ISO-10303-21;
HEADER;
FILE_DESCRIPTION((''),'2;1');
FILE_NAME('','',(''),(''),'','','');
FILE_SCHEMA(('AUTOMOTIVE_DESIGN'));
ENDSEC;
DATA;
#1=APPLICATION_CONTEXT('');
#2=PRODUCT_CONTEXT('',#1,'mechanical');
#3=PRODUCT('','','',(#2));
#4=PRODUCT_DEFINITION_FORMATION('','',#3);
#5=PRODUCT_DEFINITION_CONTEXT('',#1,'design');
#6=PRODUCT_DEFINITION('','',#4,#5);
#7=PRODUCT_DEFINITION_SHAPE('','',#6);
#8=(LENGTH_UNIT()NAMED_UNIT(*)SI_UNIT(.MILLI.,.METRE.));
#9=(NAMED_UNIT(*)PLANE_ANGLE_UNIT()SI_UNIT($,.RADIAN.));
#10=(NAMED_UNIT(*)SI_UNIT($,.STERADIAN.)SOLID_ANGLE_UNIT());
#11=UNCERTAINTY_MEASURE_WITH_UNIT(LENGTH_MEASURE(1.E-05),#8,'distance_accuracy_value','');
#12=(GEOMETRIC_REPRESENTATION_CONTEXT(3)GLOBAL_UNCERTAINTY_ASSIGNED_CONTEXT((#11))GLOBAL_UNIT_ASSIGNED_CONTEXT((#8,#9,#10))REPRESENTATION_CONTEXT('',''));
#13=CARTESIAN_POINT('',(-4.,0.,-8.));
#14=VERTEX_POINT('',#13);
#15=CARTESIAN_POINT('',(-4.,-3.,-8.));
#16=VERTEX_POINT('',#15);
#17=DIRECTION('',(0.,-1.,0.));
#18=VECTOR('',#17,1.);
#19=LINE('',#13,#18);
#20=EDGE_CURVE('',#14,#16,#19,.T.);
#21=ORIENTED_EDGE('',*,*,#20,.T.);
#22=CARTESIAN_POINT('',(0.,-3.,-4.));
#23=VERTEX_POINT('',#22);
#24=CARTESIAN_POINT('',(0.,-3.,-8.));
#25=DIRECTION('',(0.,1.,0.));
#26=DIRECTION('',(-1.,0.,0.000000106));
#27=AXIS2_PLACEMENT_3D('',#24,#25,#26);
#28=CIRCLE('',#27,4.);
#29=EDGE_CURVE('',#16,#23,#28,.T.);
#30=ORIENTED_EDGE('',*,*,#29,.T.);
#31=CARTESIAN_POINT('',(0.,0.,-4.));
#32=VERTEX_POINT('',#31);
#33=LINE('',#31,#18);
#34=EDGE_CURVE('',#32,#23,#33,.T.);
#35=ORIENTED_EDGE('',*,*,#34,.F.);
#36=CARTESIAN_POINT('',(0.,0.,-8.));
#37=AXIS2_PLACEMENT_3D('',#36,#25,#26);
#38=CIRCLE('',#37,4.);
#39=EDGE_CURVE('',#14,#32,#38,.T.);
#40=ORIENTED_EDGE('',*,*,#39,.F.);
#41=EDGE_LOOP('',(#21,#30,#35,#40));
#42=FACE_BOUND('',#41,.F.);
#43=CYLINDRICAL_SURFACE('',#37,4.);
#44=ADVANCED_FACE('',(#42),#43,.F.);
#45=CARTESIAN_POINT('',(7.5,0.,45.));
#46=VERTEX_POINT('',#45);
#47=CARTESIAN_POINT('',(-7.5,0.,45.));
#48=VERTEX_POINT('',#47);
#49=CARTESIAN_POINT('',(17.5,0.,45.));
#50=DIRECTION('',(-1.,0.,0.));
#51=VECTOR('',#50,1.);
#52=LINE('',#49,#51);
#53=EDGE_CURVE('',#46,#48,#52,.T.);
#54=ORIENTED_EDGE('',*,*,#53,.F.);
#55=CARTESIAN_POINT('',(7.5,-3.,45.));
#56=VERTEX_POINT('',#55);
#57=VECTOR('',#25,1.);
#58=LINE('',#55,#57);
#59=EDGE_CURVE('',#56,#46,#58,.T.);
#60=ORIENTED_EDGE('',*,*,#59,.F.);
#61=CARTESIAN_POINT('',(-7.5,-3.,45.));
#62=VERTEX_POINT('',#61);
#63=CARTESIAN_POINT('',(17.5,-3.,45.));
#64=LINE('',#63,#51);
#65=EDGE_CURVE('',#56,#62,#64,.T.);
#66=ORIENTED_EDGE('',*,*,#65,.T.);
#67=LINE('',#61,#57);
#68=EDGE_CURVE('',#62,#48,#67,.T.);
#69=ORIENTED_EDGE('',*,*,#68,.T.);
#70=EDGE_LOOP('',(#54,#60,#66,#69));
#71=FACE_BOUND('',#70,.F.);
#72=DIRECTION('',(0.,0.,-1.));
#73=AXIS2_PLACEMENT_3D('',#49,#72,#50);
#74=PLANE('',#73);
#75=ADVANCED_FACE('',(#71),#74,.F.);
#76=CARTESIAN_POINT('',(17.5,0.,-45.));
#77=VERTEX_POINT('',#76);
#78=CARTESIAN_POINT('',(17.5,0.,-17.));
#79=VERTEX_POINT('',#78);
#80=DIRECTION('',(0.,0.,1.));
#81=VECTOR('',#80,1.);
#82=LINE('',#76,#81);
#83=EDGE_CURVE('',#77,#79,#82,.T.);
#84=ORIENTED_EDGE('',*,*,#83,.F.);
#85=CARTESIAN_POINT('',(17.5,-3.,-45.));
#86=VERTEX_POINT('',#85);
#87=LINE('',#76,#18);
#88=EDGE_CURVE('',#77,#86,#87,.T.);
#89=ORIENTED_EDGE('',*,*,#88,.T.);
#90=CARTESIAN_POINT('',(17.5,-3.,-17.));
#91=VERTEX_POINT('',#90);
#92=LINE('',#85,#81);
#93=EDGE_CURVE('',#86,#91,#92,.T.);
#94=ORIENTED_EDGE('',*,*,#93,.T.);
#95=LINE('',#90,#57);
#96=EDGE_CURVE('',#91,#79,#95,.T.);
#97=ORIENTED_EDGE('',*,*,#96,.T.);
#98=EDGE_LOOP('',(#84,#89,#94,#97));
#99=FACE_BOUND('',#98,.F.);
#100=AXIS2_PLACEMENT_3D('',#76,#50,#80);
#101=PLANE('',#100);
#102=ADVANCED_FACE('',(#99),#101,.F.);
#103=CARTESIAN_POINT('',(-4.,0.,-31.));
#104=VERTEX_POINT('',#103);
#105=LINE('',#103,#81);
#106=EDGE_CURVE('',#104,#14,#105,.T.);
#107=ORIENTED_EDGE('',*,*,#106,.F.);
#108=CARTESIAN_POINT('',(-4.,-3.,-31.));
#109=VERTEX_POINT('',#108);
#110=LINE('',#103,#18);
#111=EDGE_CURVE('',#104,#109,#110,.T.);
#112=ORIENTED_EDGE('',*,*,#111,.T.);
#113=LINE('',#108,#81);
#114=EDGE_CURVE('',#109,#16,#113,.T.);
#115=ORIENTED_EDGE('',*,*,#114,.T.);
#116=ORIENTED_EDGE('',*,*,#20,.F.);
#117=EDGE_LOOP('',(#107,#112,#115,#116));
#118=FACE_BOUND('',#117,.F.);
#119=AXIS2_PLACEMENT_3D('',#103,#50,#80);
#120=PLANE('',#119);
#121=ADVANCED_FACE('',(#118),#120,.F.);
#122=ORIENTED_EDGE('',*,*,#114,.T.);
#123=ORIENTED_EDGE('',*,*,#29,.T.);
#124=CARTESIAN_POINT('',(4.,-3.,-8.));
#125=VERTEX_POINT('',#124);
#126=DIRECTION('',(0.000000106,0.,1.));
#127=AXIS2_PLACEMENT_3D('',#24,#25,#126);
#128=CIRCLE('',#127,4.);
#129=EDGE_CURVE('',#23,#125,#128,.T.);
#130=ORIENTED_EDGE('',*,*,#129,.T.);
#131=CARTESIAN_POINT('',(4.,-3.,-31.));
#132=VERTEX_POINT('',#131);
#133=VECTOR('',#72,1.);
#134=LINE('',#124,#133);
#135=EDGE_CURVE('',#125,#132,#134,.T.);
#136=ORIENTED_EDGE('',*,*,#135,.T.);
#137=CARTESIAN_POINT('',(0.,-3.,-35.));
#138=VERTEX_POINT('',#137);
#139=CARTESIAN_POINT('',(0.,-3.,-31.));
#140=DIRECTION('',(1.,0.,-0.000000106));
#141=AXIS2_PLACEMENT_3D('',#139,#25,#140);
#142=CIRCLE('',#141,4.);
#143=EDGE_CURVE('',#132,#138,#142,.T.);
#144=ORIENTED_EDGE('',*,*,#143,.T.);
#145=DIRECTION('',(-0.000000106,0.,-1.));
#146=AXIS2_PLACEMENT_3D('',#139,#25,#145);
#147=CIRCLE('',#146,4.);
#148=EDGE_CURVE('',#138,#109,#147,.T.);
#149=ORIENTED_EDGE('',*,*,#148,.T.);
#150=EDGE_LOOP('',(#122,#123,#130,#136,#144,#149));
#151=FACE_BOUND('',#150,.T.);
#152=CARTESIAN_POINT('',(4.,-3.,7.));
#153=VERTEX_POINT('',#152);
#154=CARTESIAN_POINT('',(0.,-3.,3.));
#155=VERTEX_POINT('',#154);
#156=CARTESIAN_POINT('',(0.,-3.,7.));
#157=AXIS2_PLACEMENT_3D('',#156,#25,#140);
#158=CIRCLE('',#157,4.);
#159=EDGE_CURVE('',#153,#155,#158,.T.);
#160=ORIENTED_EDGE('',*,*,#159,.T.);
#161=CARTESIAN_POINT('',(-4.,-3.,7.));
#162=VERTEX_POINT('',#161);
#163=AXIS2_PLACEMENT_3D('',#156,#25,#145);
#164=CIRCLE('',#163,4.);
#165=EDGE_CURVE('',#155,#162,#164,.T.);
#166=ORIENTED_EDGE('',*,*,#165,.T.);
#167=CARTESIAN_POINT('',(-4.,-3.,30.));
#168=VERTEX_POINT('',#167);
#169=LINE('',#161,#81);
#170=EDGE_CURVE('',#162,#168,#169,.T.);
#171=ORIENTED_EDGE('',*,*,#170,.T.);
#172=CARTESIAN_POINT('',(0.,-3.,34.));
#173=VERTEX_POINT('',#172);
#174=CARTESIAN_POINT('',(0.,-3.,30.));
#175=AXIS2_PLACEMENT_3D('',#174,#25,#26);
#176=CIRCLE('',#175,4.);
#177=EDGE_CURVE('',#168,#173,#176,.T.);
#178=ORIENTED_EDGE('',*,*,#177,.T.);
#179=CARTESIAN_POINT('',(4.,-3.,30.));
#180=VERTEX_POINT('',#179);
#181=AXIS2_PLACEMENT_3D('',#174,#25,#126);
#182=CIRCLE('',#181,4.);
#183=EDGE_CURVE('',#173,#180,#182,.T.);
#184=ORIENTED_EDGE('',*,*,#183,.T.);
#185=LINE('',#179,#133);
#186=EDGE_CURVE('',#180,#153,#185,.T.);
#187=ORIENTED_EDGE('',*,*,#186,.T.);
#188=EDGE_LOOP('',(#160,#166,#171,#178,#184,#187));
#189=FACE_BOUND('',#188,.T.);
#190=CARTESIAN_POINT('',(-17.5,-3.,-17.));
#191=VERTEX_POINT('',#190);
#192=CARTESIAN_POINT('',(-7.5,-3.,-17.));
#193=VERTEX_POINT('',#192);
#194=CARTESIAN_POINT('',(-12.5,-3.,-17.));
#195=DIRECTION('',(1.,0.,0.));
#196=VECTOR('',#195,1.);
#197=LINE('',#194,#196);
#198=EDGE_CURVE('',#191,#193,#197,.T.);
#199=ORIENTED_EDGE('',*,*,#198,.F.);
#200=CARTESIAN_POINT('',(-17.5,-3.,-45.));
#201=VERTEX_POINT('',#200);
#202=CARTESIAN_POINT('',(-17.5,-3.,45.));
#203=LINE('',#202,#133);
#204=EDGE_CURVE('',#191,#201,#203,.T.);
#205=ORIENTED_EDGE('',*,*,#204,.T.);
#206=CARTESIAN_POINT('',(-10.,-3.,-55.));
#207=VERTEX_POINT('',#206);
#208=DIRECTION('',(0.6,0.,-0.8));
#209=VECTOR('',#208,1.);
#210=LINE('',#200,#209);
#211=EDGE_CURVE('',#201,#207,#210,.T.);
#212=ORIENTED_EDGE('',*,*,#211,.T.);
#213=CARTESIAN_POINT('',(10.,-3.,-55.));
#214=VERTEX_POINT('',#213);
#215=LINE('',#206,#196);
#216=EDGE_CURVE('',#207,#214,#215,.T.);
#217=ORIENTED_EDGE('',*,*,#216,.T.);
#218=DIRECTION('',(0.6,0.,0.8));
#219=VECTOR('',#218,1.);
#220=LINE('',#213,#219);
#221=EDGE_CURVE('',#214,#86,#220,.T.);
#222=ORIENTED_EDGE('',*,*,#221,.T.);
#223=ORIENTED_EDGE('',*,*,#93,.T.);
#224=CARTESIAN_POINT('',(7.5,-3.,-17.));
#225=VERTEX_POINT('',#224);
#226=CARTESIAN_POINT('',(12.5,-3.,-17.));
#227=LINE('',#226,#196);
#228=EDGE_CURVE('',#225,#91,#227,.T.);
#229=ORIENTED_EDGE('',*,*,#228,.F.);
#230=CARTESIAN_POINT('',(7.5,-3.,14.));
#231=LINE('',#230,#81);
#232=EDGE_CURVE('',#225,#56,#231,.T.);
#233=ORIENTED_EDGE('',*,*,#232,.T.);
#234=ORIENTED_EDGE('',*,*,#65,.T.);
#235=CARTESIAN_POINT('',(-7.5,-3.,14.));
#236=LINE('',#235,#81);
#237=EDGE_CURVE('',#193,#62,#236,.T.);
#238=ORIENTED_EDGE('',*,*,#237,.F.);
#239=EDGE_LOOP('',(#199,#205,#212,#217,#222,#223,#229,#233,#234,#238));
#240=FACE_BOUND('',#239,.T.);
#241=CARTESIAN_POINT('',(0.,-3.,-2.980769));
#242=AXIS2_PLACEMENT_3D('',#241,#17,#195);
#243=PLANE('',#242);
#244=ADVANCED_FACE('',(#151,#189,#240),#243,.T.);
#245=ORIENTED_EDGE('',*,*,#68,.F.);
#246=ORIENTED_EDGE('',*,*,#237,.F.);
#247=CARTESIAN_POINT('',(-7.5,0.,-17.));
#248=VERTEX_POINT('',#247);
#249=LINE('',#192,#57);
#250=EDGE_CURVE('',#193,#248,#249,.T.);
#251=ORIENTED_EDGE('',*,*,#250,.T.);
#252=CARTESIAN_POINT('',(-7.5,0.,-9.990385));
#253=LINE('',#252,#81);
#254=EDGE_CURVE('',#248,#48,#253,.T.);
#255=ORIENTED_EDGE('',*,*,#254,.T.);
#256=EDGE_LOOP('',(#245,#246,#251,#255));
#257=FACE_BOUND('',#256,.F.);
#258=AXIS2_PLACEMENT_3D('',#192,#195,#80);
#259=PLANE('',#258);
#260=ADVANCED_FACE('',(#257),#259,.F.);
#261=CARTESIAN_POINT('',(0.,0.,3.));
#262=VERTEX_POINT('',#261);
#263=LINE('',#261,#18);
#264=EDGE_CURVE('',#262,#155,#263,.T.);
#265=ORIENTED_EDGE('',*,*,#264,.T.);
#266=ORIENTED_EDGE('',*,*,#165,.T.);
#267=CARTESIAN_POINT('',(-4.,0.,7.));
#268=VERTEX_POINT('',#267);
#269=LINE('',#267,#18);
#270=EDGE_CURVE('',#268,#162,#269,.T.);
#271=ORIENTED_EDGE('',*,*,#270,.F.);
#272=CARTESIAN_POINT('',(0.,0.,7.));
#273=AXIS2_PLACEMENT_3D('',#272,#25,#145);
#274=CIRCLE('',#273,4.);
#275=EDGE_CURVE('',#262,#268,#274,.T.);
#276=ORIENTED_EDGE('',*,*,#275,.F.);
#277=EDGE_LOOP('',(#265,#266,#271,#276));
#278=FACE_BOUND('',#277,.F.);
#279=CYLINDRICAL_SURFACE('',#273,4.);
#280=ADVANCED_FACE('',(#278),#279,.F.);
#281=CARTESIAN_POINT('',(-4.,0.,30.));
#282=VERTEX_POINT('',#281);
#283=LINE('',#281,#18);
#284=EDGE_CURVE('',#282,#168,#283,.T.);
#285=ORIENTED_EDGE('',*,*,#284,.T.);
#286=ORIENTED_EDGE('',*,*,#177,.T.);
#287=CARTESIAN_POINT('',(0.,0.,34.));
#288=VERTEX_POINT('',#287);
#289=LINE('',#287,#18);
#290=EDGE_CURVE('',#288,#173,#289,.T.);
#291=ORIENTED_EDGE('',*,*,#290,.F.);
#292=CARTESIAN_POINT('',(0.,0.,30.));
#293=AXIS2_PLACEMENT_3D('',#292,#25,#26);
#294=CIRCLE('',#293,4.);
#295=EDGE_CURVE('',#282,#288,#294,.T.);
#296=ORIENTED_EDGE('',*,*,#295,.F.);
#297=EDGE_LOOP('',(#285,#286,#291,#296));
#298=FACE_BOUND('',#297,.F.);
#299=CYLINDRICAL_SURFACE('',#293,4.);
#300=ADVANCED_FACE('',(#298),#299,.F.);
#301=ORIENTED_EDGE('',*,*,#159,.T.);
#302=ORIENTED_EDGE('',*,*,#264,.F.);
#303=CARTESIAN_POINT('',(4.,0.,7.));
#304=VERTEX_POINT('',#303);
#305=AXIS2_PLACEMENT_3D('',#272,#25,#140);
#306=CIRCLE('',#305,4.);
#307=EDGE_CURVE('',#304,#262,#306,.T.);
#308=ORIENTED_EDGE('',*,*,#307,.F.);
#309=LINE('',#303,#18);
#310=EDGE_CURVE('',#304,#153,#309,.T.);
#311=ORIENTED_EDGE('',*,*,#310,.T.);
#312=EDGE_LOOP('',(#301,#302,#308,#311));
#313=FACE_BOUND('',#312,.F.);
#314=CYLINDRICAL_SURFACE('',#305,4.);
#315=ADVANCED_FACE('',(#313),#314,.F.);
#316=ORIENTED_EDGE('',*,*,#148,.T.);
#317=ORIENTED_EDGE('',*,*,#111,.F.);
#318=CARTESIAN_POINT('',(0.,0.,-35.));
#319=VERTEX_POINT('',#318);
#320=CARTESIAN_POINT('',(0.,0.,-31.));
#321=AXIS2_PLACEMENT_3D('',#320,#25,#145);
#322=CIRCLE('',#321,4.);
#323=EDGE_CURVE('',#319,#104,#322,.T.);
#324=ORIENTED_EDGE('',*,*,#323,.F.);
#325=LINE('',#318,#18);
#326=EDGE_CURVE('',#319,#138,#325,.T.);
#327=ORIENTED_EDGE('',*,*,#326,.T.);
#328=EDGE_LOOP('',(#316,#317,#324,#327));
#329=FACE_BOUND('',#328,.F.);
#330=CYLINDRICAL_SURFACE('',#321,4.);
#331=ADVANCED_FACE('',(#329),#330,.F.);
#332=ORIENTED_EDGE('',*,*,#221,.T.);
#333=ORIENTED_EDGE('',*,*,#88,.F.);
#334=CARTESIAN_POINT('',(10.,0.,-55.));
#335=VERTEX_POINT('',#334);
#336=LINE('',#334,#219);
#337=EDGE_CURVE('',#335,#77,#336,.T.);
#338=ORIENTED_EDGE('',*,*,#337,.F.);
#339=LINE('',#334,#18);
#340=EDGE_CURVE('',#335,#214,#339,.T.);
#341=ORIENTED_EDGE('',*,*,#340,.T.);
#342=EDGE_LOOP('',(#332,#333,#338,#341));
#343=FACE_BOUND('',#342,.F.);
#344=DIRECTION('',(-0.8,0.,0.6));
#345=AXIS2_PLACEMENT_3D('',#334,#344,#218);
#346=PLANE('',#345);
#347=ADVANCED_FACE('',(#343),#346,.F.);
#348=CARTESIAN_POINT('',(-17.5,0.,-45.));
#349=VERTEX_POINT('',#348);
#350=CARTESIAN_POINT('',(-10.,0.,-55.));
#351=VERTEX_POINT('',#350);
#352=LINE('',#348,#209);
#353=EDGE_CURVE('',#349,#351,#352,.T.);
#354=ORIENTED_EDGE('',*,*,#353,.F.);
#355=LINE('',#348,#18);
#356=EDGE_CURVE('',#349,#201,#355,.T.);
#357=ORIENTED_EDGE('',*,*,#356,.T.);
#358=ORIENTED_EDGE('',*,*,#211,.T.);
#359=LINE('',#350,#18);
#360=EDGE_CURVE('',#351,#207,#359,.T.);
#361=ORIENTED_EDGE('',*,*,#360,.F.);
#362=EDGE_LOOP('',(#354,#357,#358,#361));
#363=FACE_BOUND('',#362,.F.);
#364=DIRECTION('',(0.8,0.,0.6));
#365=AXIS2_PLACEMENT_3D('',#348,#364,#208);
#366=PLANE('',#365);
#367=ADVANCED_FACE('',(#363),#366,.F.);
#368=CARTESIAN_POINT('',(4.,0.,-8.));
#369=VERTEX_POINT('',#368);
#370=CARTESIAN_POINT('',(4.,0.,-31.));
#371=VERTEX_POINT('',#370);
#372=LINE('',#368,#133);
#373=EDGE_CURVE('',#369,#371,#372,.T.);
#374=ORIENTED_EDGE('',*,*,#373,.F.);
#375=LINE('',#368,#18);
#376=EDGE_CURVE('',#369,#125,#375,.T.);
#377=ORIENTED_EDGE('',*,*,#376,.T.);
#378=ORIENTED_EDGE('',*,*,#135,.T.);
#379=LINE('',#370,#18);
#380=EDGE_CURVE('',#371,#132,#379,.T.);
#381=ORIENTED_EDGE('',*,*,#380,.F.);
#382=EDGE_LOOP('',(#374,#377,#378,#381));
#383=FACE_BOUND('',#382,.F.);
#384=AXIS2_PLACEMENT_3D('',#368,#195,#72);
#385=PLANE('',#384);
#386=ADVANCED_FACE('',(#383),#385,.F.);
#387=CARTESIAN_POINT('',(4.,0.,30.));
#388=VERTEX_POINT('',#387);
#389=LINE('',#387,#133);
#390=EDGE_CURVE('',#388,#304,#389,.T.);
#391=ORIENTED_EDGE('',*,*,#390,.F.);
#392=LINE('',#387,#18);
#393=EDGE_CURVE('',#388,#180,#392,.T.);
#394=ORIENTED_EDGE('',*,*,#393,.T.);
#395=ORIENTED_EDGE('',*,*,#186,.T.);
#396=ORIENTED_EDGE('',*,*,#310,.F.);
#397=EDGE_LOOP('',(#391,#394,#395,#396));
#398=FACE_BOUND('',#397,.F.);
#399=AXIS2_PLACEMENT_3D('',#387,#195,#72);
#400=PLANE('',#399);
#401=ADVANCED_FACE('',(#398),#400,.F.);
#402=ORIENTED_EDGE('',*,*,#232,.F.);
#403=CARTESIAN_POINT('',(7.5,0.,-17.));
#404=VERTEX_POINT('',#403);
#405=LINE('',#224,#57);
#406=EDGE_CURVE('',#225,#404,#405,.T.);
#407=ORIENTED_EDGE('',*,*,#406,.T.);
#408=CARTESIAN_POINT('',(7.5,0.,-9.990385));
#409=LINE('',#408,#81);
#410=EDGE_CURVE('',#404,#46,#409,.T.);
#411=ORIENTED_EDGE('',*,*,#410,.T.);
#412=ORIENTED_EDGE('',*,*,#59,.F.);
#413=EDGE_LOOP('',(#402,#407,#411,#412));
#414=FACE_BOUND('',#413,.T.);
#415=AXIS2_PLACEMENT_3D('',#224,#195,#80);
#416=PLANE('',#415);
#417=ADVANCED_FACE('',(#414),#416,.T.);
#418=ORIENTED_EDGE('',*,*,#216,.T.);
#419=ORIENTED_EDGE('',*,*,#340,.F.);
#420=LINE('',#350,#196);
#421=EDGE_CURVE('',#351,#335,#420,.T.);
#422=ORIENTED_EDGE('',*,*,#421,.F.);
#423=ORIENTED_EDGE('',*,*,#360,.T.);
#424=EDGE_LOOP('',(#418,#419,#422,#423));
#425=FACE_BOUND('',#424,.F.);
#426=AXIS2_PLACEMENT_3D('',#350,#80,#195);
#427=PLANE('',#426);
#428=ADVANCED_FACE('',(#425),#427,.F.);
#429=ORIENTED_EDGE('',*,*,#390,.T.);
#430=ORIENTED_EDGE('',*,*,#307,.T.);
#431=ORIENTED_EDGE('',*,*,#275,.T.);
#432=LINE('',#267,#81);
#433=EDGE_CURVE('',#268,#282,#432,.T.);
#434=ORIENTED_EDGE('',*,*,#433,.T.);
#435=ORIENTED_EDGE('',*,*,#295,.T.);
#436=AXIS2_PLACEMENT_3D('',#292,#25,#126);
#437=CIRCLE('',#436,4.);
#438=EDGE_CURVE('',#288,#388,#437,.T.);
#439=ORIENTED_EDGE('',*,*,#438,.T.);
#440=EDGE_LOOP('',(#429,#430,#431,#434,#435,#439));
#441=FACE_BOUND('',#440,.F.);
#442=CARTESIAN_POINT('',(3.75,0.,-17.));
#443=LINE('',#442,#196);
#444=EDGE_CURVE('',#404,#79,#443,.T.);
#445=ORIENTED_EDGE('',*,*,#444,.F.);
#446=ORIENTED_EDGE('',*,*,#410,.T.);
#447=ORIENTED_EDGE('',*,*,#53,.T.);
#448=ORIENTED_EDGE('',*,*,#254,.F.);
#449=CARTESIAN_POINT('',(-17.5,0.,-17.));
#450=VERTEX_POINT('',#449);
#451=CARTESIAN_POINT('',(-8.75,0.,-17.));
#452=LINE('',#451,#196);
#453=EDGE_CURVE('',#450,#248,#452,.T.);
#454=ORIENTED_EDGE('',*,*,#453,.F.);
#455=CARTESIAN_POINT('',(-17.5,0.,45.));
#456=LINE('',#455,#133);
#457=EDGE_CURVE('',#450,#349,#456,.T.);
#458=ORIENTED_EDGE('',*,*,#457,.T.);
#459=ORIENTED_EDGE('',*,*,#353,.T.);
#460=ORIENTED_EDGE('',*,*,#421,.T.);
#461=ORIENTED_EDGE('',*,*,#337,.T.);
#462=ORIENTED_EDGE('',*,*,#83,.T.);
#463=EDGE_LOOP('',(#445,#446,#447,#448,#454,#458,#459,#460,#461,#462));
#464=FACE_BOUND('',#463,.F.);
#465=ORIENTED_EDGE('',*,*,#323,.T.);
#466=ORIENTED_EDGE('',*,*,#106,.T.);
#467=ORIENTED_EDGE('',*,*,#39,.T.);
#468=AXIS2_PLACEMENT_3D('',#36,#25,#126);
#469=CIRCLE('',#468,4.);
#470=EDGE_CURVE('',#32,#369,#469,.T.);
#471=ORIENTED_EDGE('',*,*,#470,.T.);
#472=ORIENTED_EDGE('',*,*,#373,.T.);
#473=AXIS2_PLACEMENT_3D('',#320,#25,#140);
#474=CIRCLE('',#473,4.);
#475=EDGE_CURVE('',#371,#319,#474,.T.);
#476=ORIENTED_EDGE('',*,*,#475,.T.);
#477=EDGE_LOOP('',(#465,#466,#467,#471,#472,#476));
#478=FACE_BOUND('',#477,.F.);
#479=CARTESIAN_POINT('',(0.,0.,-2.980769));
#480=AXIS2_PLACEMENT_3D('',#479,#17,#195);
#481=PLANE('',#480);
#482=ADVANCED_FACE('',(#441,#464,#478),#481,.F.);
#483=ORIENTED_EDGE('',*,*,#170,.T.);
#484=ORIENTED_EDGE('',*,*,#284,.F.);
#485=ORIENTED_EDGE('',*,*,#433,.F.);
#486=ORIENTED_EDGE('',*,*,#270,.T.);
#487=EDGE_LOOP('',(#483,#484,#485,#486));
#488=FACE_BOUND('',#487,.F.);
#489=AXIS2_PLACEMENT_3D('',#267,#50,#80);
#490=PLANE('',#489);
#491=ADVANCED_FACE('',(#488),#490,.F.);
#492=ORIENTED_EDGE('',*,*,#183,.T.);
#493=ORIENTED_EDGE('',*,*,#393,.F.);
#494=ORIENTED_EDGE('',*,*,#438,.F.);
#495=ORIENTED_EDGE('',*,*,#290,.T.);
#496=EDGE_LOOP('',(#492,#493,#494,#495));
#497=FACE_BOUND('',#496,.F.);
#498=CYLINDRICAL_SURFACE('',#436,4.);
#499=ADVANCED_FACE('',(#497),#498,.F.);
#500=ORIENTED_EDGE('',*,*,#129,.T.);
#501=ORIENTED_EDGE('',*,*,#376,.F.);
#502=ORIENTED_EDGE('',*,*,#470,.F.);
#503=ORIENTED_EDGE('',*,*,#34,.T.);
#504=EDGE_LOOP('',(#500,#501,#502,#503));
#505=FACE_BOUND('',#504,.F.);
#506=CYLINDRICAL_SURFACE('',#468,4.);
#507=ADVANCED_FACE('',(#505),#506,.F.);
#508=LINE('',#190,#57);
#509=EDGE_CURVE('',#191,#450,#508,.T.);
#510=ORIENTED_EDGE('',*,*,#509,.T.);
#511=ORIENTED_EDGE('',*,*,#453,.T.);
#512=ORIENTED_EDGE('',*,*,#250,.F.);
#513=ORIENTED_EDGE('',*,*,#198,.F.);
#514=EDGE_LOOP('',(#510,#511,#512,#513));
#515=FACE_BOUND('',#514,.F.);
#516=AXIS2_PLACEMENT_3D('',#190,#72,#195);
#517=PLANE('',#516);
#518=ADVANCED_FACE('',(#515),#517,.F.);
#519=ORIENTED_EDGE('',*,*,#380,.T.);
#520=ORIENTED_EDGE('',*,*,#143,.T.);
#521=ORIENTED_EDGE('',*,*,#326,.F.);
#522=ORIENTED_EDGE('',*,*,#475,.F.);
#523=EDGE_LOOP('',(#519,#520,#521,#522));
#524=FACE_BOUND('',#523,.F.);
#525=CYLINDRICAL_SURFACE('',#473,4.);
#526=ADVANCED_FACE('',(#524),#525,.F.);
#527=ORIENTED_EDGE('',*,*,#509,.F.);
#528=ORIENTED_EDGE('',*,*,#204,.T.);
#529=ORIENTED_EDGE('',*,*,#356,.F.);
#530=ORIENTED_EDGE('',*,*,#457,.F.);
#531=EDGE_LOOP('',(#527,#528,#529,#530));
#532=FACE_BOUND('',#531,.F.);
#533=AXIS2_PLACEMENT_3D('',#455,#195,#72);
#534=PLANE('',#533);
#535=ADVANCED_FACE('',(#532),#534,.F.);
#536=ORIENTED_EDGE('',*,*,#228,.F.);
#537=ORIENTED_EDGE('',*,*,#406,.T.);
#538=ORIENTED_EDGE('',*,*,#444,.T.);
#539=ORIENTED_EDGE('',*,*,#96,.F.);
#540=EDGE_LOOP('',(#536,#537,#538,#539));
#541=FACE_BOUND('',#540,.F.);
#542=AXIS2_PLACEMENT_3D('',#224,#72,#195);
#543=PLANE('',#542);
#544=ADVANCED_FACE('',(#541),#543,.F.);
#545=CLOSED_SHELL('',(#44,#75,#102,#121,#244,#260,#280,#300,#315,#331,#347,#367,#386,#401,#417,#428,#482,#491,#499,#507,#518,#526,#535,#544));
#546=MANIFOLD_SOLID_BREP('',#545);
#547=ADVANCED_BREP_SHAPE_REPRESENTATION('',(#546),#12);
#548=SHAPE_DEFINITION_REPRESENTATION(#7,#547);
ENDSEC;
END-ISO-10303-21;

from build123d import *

# Parameters (mm, degrees)
F1_DEPTH = 3
F2_W     = 10
F2_H     = 62
F3_DEPTH = 25


with BuildPart() as f1:
    # F0 (on Front) → F1 (new body)
    with BuildSketch(Plane.XZ):
        Polygon((17.5, -45), (17.5, 45), (-17.5, 45), (-17.5, -45), (-10, -55), (10, -55), align=None)
        with BuildLine():
            Line((4, -8), (4, -31))
            ThreePointArc((4, -31), (2.828427, -33.828427), (0, -35))
            ThreePointArc((0, -35), (-2.828427, -33.828427), (-4, -31))
            Line((-4, -31), (-4, -8))
            ThreePointArc((-4, -8), (-2.828427, -5.171573), (0, -4))
            ThreePointArc((0, -4), (2.828427, -5.171573), (4, -8))
        make_face(mode=Mode.SUBTRACT)
        with BuildLine():
            Line((4, 30), (4, 7))
            ThreePointArc((4, 7), (2.828427, 4.171573), (0, 3))
            ThreePointArc((0, 3), (-2.828427, 4.171573), (-4, 7))
            Line((-4, 7), (-4, 30))
            ThreePointArc((-4, 30), (-2.828427, 32.828427), (0, 34))
            ThreePointArc((0, 34), (2.828427, 32.828427), (4, 30))
        make_face(mode=Mode.SUBTRACT)
    extrude(amount=F1_DEPTH)

    # F2 (on face) → F3 (cut)
    with BuildSketch(Plane.XZ.offset(3)):
        with Locations((-12.5, 14)):
            Rectangle(F2_W, F2_H)
        with Locations((12.5, 14)):
            Rectangle(F2_W, F2_H)
    extrude(amount=-F3_DEPTH, mode=Mode.SUBTRACT)


solid = f1.part
